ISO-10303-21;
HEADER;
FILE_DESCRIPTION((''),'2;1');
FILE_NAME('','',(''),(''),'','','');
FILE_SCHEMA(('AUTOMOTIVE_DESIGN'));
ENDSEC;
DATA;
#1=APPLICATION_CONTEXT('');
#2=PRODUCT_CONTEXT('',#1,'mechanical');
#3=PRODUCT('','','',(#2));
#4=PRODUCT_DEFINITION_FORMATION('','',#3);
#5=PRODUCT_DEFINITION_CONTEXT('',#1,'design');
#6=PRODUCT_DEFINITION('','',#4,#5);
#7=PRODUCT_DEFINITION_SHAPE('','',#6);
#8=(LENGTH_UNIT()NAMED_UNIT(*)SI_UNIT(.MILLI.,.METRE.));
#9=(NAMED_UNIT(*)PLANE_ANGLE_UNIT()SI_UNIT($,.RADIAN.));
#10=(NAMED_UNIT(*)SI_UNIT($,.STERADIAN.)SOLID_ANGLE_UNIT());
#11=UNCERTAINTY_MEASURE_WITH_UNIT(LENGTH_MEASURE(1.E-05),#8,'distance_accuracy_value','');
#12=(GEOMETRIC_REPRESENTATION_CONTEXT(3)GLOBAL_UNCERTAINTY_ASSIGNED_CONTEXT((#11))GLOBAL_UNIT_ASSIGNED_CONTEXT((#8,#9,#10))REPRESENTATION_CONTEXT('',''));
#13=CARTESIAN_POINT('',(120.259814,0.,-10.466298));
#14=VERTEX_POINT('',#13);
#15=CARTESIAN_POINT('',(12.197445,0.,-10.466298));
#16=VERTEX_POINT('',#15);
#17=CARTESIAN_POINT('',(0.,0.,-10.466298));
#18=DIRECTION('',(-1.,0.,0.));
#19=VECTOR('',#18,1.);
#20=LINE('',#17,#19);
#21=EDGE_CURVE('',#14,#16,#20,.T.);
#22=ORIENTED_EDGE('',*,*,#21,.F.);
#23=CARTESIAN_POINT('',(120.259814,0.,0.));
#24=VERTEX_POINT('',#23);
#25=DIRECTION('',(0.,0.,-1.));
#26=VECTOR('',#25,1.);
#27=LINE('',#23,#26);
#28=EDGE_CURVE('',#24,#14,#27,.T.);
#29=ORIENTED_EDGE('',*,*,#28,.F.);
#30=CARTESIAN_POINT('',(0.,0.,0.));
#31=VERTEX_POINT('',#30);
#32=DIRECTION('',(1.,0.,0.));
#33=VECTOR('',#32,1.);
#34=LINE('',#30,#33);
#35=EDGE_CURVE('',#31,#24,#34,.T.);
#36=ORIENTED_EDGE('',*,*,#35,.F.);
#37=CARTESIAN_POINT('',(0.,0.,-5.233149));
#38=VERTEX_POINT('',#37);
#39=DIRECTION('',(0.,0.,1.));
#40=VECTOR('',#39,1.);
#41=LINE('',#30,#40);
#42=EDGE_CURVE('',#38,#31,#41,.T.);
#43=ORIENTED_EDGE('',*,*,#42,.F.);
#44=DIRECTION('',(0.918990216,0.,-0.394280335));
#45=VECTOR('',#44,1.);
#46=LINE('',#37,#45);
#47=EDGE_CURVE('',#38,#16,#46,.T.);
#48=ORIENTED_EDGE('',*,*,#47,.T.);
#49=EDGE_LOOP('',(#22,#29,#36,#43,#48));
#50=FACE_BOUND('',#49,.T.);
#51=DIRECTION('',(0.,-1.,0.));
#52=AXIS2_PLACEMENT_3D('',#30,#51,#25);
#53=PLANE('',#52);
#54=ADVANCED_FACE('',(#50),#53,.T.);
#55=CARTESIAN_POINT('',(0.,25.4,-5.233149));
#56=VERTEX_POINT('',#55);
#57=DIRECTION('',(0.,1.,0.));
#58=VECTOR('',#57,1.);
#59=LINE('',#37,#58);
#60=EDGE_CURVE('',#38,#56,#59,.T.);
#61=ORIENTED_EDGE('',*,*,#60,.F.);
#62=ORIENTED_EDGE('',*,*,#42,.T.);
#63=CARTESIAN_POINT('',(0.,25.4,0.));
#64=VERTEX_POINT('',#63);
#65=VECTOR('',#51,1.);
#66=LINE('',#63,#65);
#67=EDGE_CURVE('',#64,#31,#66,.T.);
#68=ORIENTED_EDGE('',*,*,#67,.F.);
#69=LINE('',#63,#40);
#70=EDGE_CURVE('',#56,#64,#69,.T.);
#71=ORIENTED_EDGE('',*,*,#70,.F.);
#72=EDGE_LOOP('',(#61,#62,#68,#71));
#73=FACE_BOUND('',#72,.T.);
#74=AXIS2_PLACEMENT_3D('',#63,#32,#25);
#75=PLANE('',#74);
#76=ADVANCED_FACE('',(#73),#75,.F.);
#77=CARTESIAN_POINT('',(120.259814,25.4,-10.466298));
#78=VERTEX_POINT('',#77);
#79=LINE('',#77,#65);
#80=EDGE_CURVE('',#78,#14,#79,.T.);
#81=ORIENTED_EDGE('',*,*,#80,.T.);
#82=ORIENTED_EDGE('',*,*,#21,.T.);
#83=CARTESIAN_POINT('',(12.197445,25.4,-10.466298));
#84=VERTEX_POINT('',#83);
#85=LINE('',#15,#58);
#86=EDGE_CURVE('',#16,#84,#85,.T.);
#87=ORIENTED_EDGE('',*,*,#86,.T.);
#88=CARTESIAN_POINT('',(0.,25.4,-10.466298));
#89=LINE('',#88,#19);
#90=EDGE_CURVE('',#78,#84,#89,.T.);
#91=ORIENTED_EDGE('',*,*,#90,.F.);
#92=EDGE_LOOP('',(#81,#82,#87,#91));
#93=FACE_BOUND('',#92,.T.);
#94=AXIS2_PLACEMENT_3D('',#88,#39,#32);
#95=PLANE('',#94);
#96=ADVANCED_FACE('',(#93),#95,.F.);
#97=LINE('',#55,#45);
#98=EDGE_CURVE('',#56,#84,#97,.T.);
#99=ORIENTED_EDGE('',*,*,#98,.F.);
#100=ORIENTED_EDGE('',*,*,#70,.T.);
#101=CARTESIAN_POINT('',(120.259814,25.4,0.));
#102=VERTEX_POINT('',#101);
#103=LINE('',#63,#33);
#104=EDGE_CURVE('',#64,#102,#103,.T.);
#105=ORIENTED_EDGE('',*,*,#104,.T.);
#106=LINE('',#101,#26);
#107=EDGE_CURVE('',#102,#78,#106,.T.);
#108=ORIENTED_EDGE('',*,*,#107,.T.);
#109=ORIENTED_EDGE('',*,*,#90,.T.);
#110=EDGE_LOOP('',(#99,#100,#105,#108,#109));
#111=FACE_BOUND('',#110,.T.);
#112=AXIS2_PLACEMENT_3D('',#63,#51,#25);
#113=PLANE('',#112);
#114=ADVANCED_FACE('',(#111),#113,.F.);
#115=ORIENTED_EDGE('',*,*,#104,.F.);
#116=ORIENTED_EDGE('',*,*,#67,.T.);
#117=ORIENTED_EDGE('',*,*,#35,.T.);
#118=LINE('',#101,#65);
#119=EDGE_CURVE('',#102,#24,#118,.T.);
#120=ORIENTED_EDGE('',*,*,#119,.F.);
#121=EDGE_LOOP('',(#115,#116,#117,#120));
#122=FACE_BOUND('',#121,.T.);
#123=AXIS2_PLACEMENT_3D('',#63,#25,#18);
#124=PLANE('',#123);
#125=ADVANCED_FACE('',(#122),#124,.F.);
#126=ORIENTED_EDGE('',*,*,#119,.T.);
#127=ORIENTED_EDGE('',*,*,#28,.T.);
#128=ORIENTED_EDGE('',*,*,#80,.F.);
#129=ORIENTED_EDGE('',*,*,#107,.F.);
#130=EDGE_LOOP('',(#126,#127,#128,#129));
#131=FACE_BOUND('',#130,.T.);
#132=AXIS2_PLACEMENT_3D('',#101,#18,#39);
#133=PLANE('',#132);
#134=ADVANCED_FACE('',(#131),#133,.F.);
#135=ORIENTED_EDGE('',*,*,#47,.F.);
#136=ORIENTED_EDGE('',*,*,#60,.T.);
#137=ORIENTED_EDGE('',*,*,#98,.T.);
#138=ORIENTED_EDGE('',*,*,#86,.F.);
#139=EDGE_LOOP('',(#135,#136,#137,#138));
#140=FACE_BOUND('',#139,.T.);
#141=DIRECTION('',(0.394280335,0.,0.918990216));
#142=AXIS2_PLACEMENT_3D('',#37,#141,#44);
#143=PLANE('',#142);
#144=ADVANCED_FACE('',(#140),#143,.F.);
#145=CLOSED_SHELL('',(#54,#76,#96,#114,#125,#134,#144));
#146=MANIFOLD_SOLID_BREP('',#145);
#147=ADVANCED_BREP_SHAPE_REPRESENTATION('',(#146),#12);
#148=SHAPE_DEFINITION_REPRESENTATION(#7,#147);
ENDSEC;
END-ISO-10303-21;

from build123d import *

# Parameters (mm, degrees)
SKETCH1_W           = 120.25981376
SKETCH1_H           = 10.466297785
BOSS_EXTRUDE1_DEPTH = 25.4
CUT_EXTRUDE1_DEPTH  = 124.357716398


with BuildPart() as part:
    # Sketch1 → Boss-Extrude1 (new body)
    with BuildSketch(Plane(origin=(0, 0, 0), x_dir=(1, 0, 0), z_dir=(0, 1, 0))):
        with Locations((60.12990688, 5.233148893)):
            Rectangle(SKETCH1_W, SKETCH1_H)
    extrude(amount=BOSS_EXTRUDE1_DEPTH)

    # Sketch2 → Cut-Extrude1 (cut, through all)
    with BuildSketch(Plane(origin=(0, 25.4, 0), x_dir=(1, 0, 0), z_dir=(0, 1, 0))):
        Polygon((0, 5.233148892), (12.197444829, 10.466297785), (0, 10.466297785), align=None)
    extrude(amount=-CUT_EXTRUDE1_DEPTH, mode=Mode.SUBTRACT)


solid = part.part
